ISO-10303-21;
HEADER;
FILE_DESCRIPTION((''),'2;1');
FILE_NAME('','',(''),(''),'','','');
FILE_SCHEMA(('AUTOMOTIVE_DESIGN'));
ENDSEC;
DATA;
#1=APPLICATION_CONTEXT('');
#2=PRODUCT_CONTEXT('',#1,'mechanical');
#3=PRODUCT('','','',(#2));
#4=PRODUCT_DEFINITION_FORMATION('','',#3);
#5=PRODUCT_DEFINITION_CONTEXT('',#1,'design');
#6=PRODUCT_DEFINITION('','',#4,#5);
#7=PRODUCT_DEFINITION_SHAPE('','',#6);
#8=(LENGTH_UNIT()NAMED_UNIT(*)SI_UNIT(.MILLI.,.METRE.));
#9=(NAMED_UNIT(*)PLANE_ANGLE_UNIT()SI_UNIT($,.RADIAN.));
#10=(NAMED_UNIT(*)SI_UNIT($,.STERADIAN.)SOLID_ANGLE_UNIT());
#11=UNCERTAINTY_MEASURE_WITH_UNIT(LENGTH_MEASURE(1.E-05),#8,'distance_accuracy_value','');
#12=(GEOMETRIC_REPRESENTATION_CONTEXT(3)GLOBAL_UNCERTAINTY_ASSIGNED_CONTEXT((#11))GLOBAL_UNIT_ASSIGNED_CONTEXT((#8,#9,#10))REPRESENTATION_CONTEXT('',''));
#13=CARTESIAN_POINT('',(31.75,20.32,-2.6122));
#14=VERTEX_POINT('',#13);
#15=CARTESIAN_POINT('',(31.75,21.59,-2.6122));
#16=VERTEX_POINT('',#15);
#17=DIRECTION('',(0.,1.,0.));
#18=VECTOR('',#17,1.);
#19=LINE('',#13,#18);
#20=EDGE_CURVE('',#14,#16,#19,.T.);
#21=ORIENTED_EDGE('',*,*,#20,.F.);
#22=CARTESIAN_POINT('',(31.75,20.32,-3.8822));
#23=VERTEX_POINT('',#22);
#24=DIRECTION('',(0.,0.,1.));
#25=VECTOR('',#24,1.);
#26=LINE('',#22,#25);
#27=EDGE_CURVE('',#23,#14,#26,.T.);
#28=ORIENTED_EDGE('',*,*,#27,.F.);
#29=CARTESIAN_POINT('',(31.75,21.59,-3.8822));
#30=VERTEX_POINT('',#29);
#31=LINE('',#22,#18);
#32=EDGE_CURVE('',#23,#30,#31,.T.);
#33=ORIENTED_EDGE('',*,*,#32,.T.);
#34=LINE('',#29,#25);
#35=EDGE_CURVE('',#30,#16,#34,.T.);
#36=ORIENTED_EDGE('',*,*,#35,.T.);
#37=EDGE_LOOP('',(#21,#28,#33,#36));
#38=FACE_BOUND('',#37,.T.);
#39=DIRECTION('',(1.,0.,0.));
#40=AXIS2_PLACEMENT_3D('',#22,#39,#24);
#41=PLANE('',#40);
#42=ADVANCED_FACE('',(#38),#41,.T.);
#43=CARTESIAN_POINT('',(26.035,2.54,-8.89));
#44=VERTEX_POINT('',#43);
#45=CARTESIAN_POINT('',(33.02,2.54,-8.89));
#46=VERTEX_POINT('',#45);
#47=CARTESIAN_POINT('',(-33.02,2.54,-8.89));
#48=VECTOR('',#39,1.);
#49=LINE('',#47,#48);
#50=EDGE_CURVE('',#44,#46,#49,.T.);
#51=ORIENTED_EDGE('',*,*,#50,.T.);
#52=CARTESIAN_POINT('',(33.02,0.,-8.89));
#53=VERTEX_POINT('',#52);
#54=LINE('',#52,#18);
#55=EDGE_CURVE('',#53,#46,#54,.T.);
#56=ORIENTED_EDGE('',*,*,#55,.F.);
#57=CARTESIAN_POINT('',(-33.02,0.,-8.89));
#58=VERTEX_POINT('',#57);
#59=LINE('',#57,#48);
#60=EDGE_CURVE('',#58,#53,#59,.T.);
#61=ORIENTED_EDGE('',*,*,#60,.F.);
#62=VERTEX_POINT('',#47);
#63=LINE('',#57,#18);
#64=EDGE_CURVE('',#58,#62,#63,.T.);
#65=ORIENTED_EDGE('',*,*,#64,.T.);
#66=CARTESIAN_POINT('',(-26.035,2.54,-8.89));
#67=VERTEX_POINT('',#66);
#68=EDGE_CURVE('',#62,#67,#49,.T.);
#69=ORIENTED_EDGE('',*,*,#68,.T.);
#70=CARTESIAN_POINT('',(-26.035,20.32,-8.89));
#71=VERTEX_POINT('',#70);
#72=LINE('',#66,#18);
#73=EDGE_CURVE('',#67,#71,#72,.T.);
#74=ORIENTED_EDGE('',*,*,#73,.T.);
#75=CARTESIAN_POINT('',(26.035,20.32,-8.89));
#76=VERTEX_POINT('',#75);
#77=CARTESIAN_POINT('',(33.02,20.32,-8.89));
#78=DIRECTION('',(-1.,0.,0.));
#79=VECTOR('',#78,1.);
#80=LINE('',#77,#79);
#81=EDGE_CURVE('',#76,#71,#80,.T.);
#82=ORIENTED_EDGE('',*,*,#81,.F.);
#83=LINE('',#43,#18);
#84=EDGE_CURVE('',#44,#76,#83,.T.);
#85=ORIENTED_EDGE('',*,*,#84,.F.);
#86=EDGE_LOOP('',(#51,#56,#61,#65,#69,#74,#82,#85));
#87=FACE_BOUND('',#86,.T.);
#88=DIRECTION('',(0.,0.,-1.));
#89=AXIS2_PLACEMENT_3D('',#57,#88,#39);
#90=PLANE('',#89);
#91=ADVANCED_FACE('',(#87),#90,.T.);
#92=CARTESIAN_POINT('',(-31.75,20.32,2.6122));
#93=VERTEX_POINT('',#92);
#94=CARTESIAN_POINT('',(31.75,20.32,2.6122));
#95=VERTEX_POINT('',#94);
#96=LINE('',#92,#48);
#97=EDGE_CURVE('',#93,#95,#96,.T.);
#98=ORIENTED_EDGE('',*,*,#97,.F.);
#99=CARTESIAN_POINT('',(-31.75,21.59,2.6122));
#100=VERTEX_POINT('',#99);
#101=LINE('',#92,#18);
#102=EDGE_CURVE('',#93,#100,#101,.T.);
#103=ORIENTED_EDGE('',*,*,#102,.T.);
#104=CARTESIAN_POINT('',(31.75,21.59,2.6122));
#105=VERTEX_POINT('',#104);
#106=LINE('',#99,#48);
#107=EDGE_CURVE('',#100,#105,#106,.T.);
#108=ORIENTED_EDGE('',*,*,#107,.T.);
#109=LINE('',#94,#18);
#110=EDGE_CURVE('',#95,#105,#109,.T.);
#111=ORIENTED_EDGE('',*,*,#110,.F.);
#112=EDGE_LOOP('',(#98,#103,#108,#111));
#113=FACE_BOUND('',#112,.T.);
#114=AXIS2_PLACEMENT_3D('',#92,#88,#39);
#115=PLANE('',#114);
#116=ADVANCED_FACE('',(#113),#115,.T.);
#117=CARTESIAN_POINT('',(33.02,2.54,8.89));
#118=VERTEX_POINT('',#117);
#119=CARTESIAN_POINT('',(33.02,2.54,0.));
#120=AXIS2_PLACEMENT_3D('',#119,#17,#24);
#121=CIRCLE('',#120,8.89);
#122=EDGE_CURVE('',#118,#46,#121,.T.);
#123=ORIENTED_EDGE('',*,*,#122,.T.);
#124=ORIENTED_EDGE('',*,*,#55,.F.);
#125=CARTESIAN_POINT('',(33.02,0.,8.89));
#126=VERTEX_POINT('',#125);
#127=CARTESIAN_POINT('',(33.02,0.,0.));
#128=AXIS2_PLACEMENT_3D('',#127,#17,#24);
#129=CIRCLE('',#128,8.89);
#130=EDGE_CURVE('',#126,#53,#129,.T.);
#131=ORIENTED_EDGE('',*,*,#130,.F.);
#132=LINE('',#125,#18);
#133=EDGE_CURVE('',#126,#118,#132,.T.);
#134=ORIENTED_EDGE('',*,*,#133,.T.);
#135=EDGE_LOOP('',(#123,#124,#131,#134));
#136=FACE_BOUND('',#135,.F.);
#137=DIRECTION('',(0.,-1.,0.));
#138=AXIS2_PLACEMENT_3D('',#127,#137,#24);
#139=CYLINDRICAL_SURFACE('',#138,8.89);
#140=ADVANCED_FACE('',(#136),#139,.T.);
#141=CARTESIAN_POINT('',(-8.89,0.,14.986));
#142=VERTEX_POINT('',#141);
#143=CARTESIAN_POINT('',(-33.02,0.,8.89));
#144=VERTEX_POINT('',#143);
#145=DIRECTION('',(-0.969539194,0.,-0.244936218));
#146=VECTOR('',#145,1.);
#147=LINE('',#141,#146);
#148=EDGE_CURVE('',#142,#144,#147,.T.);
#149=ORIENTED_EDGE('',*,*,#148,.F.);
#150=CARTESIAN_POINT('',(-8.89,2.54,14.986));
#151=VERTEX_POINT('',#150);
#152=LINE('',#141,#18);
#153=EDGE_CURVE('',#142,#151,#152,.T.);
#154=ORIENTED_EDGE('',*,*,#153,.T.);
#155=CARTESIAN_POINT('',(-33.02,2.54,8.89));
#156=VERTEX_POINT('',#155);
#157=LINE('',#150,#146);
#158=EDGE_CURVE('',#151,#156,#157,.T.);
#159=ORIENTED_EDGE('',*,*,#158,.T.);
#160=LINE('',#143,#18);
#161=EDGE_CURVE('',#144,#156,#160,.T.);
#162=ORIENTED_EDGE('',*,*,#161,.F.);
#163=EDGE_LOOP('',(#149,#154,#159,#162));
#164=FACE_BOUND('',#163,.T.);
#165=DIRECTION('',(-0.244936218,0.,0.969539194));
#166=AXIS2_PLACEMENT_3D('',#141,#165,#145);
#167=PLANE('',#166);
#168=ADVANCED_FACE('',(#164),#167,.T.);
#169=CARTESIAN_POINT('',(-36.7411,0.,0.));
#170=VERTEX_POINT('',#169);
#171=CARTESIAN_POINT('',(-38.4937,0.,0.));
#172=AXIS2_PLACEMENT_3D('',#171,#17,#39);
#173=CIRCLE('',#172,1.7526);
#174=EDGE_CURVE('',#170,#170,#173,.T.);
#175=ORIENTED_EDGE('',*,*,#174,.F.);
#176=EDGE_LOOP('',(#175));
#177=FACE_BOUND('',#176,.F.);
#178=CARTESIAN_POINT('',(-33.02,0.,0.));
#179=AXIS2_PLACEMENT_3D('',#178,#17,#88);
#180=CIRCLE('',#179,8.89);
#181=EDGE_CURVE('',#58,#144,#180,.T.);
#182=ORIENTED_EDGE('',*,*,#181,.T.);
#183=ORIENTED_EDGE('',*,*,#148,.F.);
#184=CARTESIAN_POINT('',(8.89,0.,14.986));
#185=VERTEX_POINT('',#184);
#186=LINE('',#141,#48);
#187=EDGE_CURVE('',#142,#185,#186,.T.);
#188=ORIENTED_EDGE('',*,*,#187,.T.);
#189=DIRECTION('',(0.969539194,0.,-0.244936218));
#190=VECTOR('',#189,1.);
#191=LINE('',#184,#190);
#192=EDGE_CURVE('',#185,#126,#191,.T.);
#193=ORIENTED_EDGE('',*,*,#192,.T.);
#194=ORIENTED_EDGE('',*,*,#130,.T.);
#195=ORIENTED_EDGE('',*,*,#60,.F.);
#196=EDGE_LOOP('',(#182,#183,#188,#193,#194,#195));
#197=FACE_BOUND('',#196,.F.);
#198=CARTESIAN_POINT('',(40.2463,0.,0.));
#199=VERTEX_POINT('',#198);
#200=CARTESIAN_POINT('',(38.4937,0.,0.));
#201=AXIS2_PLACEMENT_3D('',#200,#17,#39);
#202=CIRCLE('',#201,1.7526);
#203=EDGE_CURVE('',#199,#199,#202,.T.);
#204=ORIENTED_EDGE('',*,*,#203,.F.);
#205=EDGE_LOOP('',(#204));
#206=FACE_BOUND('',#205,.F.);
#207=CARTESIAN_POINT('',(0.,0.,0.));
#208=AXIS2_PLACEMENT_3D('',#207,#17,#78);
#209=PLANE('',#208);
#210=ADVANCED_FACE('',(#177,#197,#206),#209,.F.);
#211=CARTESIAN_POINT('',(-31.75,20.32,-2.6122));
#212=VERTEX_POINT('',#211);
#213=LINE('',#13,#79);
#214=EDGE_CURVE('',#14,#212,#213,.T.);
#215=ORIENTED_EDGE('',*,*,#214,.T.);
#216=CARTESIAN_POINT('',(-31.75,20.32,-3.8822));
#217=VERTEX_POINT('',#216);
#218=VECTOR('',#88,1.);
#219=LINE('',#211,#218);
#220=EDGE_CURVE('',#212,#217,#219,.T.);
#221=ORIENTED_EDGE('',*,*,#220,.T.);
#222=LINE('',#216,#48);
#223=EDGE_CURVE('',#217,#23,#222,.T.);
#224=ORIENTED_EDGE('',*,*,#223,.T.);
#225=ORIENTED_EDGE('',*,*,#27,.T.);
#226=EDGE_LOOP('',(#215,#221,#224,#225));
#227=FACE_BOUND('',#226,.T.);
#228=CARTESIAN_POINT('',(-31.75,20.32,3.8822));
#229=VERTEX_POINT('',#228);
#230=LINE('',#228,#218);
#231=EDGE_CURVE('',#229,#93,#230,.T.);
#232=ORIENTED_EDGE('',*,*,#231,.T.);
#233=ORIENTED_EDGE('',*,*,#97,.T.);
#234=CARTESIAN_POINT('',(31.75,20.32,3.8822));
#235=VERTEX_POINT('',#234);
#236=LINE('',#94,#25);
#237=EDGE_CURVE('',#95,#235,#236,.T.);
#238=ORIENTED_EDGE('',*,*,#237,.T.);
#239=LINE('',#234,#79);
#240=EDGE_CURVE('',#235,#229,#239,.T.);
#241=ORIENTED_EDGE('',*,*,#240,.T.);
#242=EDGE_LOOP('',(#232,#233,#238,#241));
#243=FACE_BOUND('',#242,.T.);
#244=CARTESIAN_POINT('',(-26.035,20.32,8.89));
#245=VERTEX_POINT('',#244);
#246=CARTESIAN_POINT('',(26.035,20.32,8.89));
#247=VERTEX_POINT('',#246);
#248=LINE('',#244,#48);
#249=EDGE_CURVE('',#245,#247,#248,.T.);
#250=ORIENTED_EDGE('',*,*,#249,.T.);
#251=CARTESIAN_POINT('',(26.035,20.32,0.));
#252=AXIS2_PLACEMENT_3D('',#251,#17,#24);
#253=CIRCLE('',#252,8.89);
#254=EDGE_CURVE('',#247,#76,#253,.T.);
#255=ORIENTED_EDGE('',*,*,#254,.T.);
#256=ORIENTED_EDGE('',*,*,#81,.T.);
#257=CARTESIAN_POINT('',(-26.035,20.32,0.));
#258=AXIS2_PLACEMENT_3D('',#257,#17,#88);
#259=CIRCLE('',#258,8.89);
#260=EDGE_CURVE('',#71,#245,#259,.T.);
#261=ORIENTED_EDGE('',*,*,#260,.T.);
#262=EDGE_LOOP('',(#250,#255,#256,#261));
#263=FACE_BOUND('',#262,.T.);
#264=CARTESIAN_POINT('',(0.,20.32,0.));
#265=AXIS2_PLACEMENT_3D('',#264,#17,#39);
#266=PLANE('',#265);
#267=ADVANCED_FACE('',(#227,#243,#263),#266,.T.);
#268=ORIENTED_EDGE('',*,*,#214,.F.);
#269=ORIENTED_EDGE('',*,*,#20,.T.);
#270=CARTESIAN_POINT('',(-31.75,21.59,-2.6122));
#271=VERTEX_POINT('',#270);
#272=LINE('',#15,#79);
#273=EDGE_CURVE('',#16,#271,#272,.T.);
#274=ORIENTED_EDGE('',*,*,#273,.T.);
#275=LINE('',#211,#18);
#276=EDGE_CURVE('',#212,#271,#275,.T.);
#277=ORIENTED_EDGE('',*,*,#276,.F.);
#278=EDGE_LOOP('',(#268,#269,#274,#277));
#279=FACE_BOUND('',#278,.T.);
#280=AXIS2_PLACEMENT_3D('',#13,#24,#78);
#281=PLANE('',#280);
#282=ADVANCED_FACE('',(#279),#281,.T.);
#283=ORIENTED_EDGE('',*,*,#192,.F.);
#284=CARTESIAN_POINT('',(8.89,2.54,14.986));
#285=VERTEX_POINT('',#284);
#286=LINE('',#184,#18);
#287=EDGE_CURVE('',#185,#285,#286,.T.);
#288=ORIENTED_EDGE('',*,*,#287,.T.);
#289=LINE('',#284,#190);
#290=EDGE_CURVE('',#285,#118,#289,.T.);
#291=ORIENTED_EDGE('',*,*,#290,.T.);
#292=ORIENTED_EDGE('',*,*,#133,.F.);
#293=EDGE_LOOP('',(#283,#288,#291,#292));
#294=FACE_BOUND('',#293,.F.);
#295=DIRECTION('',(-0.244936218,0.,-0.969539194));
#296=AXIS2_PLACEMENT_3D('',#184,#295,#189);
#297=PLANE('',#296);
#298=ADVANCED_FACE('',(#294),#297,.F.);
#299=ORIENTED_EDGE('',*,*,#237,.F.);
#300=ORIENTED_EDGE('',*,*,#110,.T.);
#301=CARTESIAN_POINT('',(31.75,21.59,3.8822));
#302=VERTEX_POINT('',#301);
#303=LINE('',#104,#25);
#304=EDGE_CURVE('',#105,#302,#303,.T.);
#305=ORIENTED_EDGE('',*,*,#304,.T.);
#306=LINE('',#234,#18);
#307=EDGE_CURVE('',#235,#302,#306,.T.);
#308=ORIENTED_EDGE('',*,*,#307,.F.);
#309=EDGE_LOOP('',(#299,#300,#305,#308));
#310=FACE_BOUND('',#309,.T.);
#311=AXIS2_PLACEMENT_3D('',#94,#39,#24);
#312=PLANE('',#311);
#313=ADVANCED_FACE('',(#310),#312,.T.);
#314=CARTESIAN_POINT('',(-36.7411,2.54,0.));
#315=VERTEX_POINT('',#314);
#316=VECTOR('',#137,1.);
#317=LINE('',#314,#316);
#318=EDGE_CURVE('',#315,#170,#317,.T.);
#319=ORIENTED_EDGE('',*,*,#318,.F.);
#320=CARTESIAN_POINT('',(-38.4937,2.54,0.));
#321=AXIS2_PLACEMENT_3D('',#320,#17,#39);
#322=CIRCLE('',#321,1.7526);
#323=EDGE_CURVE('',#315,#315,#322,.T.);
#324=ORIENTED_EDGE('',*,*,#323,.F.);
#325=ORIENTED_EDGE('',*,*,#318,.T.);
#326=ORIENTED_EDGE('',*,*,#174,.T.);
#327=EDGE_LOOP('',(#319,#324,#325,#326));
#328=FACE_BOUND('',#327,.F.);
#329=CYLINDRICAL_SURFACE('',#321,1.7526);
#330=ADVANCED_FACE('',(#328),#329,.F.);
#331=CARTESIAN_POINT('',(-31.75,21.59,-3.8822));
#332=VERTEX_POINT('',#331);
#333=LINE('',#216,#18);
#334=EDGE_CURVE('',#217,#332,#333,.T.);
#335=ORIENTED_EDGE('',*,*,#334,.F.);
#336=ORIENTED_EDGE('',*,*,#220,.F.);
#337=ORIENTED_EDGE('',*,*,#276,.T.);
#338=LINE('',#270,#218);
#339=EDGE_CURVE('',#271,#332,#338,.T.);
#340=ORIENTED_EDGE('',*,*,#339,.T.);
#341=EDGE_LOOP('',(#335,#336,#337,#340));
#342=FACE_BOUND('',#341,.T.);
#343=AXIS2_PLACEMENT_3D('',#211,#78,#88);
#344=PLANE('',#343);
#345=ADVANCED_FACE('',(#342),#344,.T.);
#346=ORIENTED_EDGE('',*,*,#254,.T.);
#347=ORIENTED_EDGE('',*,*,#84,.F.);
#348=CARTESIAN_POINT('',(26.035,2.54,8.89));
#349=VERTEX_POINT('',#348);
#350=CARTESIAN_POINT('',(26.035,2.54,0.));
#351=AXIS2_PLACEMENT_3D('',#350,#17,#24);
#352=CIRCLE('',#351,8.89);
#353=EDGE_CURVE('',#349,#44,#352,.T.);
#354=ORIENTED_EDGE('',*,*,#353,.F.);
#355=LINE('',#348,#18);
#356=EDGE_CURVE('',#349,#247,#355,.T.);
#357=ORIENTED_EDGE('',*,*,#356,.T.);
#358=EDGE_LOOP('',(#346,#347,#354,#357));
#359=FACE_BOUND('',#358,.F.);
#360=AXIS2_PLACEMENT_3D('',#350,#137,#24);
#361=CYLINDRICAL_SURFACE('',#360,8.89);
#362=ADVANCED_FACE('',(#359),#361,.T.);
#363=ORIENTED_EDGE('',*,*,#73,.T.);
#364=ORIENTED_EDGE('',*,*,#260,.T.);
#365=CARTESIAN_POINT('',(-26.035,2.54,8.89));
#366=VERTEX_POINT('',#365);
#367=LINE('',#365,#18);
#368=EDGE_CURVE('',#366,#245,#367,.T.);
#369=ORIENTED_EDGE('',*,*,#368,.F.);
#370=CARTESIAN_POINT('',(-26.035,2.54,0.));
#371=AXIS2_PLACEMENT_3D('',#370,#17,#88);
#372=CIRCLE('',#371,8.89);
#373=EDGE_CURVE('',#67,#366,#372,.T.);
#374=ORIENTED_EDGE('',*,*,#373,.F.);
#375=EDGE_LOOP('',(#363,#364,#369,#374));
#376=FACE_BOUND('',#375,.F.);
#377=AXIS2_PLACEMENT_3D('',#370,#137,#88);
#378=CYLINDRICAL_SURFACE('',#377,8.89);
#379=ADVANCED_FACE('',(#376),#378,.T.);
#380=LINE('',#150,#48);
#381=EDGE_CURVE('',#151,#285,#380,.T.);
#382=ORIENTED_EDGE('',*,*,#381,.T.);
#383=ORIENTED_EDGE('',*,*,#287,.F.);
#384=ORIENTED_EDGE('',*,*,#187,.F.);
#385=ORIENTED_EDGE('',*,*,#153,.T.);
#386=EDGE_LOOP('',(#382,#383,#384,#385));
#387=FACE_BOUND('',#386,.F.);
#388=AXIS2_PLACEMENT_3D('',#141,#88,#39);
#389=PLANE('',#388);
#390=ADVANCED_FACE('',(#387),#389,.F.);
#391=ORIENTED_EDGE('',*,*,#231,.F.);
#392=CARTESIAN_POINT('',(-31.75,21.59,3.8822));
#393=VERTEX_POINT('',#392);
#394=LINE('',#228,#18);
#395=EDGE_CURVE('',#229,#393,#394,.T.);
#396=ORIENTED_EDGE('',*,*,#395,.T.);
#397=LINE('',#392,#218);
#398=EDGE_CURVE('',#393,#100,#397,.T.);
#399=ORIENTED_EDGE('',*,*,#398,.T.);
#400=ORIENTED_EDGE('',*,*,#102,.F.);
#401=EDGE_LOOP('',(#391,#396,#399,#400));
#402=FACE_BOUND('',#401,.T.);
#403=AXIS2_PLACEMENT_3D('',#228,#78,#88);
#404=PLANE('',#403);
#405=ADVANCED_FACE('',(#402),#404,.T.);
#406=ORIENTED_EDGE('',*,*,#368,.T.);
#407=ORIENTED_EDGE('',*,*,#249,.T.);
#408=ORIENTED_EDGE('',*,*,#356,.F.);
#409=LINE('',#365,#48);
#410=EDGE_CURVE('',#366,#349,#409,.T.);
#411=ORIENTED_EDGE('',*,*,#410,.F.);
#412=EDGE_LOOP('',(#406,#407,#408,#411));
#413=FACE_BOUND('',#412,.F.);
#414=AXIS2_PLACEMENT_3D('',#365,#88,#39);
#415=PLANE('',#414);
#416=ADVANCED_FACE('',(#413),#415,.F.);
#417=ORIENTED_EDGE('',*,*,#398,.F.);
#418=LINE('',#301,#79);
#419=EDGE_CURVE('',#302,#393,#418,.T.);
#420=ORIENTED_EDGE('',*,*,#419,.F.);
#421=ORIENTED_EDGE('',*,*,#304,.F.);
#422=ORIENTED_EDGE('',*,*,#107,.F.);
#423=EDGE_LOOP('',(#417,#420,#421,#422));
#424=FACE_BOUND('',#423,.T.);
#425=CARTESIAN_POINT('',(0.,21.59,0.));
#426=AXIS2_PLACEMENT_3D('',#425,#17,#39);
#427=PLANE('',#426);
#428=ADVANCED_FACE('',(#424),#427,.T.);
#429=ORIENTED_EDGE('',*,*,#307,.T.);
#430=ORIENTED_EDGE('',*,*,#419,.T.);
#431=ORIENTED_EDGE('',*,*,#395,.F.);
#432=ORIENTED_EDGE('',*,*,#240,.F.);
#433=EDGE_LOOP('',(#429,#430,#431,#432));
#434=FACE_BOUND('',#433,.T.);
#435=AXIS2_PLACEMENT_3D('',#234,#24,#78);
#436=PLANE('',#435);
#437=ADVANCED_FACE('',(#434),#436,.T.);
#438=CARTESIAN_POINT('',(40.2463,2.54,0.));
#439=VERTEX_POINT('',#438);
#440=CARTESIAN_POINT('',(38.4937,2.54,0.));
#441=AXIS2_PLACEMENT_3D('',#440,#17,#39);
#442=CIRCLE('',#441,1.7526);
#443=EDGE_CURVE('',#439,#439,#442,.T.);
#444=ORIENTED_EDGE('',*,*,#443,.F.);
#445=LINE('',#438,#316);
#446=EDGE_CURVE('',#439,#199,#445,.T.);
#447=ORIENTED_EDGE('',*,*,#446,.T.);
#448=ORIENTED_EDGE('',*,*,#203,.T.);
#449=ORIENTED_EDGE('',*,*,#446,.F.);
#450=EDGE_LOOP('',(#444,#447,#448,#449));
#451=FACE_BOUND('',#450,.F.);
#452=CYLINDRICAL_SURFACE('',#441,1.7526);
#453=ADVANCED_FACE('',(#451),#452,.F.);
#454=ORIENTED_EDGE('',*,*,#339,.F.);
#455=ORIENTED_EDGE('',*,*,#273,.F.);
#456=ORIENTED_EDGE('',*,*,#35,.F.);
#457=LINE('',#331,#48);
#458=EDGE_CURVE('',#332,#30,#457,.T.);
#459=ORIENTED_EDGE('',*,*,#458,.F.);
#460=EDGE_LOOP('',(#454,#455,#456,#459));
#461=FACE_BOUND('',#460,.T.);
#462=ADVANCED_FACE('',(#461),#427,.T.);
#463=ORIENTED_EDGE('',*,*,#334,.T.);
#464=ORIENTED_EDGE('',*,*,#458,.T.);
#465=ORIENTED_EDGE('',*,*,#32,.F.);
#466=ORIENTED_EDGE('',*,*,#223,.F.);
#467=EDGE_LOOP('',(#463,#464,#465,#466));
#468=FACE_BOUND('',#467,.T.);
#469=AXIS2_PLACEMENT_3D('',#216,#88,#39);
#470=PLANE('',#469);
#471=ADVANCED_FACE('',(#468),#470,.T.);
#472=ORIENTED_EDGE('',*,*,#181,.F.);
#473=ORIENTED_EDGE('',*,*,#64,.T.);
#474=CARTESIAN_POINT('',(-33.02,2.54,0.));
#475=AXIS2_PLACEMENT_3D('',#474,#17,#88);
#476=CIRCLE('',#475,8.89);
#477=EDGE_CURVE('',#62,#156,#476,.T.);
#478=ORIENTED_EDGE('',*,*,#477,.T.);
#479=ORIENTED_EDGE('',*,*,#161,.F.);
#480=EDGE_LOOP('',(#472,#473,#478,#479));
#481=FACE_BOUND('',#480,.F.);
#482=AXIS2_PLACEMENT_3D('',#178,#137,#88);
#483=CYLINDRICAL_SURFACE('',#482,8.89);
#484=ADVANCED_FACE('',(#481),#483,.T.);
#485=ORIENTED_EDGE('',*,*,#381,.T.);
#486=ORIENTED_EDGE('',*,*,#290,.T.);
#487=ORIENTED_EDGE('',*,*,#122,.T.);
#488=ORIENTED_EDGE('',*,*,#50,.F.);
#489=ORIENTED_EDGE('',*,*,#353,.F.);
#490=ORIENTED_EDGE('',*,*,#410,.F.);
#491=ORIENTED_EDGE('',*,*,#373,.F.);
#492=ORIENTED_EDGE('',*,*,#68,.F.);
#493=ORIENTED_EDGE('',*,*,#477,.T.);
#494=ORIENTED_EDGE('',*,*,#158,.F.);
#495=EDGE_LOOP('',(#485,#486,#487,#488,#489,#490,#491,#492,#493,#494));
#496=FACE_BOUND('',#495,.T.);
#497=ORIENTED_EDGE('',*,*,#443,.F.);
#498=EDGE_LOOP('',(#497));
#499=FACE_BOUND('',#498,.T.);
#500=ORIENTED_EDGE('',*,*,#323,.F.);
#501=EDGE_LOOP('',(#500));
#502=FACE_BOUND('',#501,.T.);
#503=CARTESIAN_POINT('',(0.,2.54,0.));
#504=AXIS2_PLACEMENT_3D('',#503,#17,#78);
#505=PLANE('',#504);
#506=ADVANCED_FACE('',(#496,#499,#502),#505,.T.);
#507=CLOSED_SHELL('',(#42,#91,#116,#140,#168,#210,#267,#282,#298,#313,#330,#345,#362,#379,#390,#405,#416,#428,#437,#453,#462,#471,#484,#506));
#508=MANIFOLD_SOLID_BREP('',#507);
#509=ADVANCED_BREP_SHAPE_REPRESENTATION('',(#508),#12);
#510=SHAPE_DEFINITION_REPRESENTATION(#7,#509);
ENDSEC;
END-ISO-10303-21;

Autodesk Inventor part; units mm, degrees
ref_plane "YZ Plane" through (0, 0, 0) normal (1, 0, 0) x (0, 1, 0)
ref_plane "XZ Plane" through (0, 0, 0) normal (0, 1, 0) x (-1, 0, 0)
ref_plane "XY Plane" through (0, 0, 0) normal (0, 0, 1) x (1, 0, 0)
sketch "Sketch1" plane through (0, 0, 0) normal (0, 1, 0) x (-1, 0, 0)
  line L0 (33.02, -8.89) -> (-33.02, -8.89)
  line L1 (-33.02, 8.89) -> (33.02, 8.89)
  arc A0 (33.02, -8.89) -> (33.02, 8.89) centre (33.02, 0) ccw
  arc A1 (-33.02, 8.89) -> (-33.02, -8.89) centre (-33.02, 0) ccw
  line L2 (41.91, -12.3525) -> (41.91, 10.1693) construction
  line L3 (-41.91, -12.3525) -> (-41.91, 10.1693) construction
  line L4 (8.89, 14.986) -> (-8.89, 14.986)
  line L5 (-8.89, 14.986) -> (-33.02, 8.89)
  line L6 (8.89, 14.986) -> (33.02, 8.89)
  point P0 (0, 0)
  dimension "d1" = 83.82
  dimension "d2" = 17.78
  dimension "d3" = 8.89
  dimension "d4" = 8.89
  dimension "d5" = 41.91
  dimension "d8" = 17.78
  dimension "d9" = 8.89
  dimension "d10" = 23.876
extrude "Extrusion1" add sketch "Sketch1" along normal blind 2.54
sketch "Sketch2" plane through (0, 2.54, 0) normal (0, 1, 0) x (1, 0, 0)
  line L0 (33.02, 8.89) -> (-33.02, 8.89) projected
  line L1 (-26.035, -8.89) -> (26.035, -8.89)
  line L2 (26.035, 8.89) -> (-26.035, 8.89)
  arc A0 (-26.035, 8.89) -> (-26.035, -8.89) centre (-26.035, 0) ccw
  arc A1 (26.035, -8.89) -> (26.035, 8.89) centre (26.035, 0) ccw
  line L3 (-34.925, 8.805) -> (-34.925, -8.975) construction
  line L4 (34.925, 8.805) -> (34.925, -8.975) construction
  point P0 (0, 0)
  point P1 (-26.035, 8.89)
  dimension "d11" = 69.85
  dimension "d12" = 17.78
  dimension "d13" = 8.89
  dimension "d14" = 34.925
extrude "Extrusion2" add sketch "Sketch2" along normal blind 17.78
sketch "Sketch3" plane through (0, 2.54, 0) normal (0, 1, 0) x (1, 0, 0)
  circle A0 centre (-38.4937, 0) radius 1.7526
  circle A1 centre (38.4937, 0) radius 1.7526
  line L0 (-40.2463, 0) -> (-41.91, 0) construction
  arc A2 (-33.02, 8.89) -> (-33.02, -8.89) centre (-33.02, 0) ccw projected
  line L1 (40.2463, 0) -> (41.91, 0) construction
  arc A3 (33.02, -8.89) -> (33.02, 8.89) centre (33.02, 0) ccw projected
  point P0 (0, 0)
  dimension "d18" = 3.5052
  dimension "d17" = 76.9874
extrude "Extrusion3" cut sketch "Sketch3" against normal blind 17.78
sketch "Sketch4" plane through (0, 20.32, 0) normal (0, 1, 0) x (1, 0, 0)
  line L0 (-31.75, 3.8822) -> (31.75, 3.8822)
  line L1 (31.75, 3.8822) -> (31.75, 2.6122)
  line L2 (31.75, 2.6122) -> (-31.75, 2.6122)
  line L3 (-31.75, 2.6122) -> (-31.75, 3.8822)
  line L4 (-31.75, -2.6122) -> (31.75, -2.6122)
  line L5 (31.75, -2.6122) -> (31.75, -3.8822)
  line L6 (31.75, -3.8822) -> (-31.75, -3.8822)
  line L7 (-31.75, -3.8822) -> (-31.75, -2.6122)
  line L8 (0, 0) -> (0, 2.6122) construction
  line L9 (0, 0) -> (0, -2.6122) construction
  point P0 (0, 0)
  dimension "d21" = 63.5
  dimension "d22" = 31.75
  dimension "d23" = 1.27
extrude "Extrusion4" add sketch "Sketch4" along normal blind 1.27
equation "\"d3\" = 0.5 * d2"
equation "\"d4\" = 0.5 * d2"
equation "\"d5\" = 0.5 * d1"
equation "\"d9\" = 0.5 * d8"
equation "\"d13\" = 0.5 * d12"
equation "\"d14\" = 0.5 * d11"
equation "\"d22\" = 0.5 * d21"
properties part number "Pickup"
